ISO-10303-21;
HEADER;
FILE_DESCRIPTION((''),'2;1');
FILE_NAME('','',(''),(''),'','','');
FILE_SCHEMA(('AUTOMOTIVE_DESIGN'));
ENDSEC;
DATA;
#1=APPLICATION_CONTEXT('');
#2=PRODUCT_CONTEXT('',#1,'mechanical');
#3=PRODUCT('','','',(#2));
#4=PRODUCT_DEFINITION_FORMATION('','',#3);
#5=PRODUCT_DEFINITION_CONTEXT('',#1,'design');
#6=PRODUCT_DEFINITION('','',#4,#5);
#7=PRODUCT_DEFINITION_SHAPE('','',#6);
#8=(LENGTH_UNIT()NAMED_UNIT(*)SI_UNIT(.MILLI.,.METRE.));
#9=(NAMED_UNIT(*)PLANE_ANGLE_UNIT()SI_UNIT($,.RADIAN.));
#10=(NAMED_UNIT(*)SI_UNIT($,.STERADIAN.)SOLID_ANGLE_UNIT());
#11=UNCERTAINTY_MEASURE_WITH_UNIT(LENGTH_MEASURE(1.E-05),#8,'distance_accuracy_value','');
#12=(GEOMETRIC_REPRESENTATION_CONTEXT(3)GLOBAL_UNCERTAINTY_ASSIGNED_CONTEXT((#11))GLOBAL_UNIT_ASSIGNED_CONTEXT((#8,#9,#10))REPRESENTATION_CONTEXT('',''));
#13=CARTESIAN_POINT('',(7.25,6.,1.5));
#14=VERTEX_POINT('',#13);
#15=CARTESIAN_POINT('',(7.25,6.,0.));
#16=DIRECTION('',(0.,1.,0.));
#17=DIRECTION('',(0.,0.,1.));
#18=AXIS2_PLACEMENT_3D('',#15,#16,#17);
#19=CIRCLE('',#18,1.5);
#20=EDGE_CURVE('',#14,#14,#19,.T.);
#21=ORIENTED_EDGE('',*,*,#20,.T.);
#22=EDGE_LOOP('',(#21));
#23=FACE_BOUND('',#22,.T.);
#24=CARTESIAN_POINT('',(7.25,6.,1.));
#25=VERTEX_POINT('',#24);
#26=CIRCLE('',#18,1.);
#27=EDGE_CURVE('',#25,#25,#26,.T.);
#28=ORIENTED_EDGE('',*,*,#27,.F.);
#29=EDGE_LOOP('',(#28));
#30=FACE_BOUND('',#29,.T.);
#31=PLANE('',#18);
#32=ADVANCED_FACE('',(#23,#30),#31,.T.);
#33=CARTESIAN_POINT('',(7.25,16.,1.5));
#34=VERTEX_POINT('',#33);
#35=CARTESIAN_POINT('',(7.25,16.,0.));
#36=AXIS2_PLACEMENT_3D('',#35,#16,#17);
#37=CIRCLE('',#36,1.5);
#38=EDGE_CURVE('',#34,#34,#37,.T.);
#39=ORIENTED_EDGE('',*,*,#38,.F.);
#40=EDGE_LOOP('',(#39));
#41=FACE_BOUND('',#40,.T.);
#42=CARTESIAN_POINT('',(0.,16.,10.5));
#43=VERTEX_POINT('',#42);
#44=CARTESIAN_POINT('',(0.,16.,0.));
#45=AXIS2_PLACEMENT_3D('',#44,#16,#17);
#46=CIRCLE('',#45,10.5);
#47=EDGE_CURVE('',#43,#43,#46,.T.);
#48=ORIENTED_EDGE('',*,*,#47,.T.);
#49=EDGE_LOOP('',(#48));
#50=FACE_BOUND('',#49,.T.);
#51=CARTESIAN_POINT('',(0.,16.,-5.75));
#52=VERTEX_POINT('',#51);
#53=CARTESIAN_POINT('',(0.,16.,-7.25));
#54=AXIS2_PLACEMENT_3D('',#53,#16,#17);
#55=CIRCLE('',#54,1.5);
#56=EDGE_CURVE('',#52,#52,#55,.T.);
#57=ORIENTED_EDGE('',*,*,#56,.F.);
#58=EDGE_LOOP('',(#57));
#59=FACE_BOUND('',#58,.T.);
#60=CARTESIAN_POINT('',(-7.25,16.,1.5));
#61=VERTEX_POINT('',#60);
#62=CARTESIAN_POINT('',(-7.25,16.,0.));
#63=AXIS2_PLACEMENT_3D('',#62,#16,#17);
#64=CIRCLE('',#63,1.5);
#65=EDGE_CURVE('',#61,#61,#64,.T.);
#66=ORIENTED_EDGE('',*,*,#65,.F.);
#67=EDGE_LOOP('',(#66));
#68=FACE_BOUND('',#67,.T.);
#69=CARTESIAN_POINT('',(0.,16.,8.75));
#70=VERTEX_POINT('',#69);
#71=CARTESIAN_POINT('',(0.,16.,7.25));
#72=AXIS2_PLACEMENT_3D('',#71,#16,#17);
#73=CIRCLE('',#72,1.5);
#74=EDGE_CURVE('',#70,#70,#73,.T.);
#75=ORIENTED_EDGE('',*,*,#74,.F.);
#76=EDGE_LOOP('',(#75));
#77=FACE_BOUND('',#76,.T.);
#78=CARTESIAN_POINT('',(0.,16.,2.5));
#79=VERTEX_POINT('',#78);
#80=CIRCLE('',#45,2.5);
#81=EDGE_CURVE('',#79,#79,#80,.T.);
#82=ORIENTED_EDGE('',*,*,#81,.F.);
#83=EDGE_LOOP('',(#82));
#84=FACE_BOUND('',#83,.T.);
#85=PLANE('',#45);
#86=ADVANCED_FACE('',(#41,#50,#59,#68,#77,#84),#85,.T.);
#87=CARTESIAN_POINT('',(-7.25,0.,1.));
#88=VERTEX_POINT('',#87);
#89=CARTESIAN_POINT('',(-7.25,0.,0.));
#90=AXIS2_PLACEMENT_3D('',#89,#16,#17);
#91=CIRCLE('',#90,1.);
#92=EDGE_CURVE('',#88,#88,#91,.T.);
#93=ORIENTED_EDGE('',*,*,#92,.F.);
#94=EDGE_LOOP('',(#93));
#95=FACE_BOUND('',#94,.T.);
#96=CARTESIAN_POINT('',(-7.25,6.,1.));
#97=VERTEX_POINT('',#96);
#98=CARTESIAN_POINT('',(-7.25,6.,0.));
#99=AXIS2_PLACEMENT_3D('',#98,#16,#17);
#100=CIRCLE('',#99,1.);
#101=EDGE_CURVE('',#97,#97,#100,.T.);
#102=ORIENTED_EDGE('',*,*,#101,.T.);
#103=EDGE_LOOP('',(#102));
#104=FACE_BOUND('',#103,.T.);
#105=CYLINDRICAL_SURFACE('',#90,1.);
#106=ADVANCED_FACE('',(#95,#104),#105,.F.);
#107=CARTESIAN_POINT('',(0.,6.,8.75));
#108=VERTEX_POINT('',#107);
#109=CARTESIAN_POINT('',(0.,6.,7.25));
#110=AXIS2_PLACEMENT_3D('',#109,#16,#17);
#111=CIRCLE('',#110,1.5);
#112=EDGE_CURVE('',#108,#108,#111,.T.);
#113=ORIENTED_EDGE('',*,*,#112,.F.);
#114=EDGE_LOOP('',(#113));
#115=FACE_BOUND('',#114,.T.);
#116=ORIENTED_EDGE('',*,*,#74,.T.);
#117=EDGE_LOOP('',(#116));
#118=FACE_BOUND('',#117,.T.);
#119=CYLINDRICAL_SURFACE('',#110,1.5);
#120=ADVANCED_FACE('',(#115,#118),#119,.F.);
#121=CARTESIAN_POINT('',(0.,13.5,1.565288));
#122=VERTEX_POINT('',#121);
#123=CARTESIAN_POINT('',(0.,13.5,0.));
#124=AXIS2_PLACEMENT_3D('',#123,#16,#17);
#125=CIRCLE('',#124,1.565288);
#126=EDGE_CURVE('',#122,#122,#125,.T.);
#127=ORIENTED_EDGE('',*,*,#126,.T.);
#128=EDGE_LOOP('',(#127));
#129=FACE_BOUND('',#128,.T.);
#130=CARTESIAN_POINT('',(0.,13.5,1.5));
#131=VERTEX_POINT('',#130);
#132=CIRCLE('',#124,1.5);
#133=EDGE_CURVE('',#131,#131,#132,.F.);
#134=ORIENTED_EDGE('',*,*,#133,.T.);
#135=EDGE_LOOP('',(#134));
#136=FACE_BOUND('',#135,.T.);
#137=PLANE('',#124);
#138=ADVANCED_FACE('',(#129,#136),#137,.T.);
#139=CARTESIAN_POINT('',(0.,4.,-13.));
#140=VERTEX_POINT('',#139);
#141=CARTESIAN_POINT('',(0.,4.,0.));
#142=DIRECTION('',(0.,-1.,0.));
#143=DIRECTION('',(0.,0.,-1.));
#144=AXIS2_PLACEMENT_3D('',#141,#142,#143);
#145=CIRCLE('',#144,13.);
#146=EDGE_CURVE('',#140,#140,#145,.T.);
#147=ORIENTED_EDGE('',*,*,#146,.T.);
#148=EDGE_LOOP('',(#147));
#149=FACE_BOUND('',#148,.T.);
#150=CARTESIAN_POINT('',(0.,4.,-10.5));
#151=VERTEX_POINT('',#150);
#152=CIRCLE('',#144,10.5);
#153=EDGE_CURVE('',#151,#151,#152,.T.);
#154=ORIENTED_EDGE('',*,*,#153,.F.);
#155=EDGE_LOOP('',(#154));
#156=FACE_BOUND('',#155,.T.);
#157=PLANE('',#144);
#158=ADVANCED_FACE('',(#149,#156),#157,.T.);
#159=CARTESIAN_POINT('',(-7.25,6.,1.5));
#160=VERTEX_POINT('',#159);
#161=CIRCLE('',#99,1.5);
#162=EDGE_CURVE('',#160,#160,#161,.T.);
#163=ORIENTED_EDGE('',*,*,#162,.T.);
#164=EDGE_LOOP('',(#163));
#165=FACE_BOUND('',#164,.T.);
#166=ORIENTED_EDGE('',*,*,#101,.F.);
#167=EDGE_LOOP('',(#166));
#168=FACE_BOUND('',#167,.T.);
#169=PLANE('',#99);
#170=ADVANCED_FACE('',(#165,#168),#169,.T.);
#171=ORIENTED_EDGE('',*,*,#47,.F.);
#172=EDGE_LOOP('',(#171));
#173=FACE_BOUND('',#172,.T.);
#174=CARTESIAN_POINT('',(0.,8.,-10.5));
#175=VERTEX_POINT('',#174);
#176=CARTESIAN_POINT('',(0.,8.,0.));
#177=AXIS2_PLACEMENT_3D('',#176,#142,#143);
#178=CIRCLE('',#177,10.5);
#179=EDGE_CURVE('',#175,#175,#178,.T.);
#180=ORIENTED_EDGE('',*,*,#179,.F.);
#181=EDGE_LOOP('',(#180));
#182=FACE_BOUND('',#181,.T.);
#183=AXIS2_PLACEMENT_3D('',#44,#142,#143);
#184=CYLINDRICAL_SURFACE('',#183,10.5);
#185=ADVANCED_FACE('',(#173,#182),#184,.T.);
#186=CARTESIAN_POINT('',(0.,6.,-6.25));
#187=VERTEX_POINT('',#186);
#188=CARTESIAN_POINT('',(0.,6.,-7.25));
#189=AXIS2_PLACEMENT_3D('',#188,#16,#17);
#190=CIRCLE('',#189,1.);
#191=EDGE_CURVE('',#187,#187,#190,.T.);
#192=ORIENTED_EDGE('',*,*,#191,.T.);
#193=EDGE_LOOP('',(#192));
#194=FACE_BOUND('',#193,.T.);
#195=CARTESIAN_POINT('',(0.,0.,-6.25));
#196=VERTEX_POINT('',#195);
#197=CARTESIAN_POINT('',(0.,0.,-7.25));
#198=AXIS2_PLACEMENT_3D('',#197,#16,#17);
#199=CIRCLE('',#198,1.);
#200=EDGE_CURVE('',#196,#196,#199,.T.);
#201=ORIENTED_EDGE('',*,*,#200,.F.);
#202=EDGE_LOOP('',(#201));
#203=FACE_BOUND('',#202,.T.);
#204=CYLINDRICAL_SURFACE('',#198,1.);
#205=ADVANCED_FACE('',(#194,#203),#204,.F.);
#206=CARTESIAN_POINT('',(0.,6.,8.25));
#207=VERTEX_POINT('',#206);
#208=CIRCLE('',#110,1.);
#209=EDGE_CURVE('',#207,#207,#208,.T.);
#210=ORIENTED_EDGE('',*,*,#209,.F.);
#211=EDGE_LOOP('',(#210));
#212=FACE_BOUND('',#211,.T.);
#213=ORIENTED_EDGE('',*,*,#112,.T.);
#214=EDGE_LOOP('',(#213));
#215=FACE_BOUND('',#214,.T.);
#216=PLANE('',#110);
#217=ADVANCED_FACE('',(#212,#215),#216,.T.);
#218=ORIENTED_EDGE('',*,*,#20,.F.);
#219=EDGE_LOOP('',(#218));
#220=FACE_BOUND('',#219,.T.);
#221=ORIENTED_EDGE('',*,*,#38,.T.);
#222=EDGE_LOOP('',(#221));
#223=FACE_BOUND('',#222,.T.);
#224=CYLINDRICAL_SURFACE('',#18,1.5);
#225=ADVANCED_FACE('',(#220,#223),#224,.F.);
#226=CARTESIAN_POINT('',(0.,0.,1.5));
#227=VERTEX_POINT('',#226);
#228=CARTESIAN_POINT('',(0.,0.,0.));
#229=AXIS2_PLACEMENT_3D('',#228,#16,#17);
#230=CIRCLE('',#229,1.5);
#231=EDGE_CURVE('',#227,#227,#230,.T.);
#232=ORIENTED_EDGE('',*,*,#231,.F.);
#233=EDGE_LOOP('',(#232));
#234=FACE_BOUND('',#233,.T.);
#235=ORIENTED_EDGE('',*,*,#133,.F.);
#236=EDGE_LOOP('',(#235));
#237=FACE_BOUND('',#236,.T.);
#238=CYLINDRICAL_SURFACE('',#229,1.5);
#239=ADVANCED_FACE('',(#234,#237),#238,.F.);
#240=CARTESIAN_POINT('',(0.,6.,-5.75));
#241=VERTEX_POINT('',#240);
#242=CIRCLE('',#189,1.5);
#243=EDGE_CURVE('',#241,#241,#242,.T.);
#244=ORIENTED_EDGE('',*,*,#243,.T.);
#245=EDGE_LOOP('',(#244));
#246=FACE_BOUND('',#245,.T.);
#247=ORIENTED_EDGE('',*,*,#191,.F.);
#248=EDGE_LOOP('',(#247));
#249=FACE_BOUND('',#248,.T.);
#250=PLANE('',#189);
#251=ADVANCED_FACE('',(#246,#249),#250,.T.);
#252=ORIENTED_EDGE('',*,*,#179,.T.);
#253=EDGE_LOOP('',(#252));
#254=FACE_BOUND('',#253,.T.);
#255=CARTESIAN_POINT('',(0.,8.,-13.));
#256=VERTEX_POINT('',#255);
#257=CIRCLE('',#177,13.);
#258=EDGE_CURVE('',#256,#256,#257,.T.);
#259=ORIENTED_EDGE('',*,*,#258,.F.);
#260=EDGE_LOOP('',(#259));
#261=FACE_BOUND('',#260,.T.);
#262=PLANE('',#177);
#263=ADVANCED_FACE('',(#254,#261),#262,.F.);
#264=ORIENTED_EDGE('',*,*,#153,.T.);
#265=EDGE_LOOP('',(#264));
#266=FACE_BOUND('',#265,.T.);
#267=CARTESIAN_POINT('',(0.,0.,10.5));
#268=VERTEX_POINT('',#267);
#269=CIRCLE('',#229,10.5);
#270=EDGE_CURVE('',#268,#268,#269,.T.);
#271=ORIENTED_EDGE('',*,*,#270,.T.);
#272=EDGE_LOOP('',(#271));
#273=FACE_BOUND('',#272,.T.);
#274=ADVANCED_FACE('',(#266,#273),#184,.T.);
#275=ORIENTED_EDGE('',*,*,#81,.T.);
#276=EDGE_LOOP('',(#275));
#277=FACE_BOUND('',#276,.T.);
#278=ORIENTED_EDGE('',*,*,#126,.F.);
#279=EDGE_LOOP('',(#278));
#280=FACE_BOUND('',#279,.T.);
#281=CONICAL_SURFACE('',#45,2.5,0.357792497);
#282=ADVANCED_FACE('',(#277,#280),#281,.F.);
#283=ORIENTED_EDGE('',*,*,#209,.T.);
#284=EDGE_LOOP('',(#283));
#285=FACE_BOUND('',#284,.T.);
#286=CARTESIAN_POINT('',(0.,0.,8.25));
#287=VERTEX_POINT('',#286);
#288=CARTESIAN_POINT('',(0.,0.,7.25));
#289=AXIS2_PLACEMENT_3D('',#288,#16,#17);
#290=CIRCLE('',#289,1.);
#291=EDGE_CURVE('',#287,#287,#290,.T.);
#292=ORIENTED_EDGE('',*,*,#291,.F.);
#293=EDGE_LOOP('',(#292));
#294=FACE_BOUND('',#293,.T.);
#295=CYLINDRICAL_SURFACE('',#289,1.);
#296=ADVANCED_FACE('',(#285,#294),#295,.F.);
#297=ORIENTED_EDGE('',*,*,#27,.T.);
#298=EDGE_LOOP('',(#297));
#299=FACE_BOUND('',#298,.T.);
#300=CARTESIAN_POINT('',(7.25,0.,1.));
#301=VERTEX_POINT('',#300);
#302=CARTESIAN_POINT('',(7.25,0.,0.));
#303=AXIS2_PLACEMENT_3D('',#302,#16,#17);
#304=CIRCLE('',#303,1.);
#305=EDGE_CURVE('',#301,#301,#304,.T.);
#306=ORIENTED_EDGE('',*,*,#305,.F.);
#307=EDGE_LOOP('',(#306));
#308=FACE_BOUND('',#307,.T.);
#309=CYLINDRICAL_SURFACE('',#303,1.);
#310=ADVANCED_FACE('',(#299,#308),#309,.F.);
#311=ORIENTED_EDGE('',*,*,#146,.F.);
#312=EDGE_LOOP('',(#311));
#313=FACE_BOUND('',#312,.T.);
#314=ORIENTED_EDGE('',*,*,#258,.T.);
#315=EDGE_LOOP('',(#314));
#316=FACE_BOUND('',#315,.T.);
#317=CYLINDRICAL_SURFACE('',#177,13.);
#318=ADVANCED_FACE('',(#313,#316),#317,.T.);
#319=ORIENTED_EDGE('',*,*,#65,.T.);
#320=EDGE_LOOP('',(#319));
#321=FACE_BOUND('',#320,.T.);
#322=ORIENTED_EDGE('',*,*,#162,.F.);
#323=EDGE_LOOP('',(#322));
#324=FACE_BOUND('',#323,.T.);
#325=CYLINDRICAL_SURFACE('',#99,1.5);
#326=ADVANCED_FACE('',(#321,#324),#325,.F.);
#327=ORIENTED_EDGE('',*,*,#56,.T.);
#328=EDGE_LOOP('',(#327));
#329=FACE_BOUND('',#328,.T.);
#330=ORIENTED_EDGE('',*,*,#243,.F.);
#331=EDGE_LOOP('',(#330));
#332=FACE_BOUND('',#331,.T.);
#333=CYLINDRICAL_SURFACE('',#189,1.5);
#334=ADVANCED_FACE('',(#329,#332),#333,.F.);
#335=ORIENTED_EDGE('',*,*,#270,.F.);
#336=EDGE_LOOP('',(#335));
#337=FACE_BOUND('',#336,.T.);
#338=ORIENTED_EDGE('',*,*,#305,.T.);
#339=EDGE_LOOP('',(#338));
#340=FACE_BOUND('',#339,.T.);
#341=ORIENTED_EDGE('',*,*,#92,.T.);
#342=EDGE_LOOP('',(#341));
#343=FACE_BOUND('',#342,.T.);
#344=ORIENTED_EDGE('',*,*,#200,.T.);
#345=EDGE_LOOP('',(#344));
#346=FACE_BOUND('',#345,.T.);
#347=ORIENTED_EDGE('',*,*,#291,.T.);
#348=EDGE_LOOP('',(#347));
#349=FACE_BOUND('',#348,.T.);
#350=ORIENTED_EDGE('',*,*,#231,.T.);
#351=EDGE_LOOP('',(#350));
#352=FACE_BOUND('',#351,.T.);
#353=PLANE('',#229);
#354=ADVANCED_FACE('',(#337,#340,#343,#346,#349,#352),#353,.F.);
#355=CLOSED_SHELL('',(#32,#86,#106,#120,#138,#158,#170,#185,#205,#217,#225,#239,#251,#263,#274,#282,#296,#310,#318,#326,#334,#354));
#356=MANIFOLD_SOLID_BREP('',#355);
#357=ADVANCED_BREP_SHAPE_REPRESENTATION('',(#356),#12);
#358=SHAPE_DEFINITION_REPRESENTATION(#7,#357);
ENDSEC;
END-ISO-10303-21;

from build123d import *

# Parameters (mm, degrees)
SKETCH1_R                = 10.5
BOSS_EXTRUDE1_DEPTH      = 16
SKETCH2_R                = 1.5
CUT_EXTRUDE1_DEPTH       = 22.828879953
SKETCH3_R                = 2.5
CUT_EXTRUDE2_DEPTH       = 2.5
CUT_EXTRUDE2_DRAFT       = -20.5
BOSS_EXTRUDE2_DEPTH      = 2
BOSS_EXTRUDE2_DEPTH_BACK = 2
SKETCH5_R                = 13
SKETCH7_R                = 1.5
CUT_EXTRUDE3_DEPTH       = 10
SKETCH8_R                = 1
CUT_EXTRUDE4_DEPTH       = 21.928449536
SKETCH9_R                = 1.5
CUT_EXTRUDE5_DEPTH       = 25.372115214


with BuildPart() as part:
    # Sketch1 → Boss-Extrude1 (new body)
    with BuildSketch(Plane(origin=(0, 0, 0), x_dir=(1, 0, 0), z_dir=(0, 1, 0))):
        with Locations(Location((0, 0, 0), (0, 0, 270))):
            Circle(SKETCH1_R)
    extrude(amount=BOSS_EXTRUDE1_DEPTH)

    # Sketch2 → Cut-Extrude1 (cut, through all)
    with BuildSketch(Plane(origin=(0, 16, 0), x_dir=(1, 0, 0), z_dir=(0, 1, 0))):
        with Locations(Location((0, 0, 0), (0, 0, 270))):
            Circle(SKETCH2_R)
    extrude(amount=-CUT_EXTRUDE1_DEPTH, mode=Mode.SUBTRACT)


with BuildPart() as cut_extrude2_tool:
    # Sketch3 → Cut-Extrude2 (with draft: the straight prism first)
    with BuildSketch(Plane(origin=(0, 16, 0), x_dir=(1, 0, 0), z_dir=(0, 1, 0))):
        Circle(SKETCH3_R)
    extrude(amount=-CUT_EXTRUDE2_DEPTH)
    # Cut-Extrude2: the draft: its side faces are tilted about the plane it starts from
    cut_extrude2_sides = [cut_extrude2_tool.faces().sort_by_distance(p)[0] for p in [
        (-2.5, 14.75, 0),
    ]]
    draft(cut_extrude2_sides, Plane(origin=(0, 16, 0), x_dir=(1, 0, 0), z_dir=(0, 1, 0)), CUT_EXTRUDE2_DRAFT)


with BuildPart() as part_1:
    add(part.part)

    # Cut-Extrude2: cut by cut_extrude2_tool
    add(cut_extrude2_tool.part, mode=Mode.SUBTRACT)

    # Sketch5 → Boss-Extrude2 (add, two sides: drawn at the far end of the back side and taken through both)
    with BuildSketch(Plane(origin=(0, 6, 0), x_dir=(-1, 0, 0), z_dir=(0, -1, 0)).offset(-BOSS_EXTRUDE2_DEPTH_BACK)):
        with Locations(Location((0, 0, 0), (0, 0, 90))):
            Circle(SKETCH5_R)
    extrude(amount=BOSS_EXTRUDE2_DEPTH + BOSS_EXTRUDE2_DEPTH_BACK)

    # Sketch7 → Cut-Extrude3 (cut)
    with BuildSketch(Plane(origin=(0, 16, 0), x_dir=(1, 0, 0), z_dir=(0, 1, 0))):
        with Locations(Location((0, 7.25, 0), (0, 0, 270))):
            Circle(SKETCH7_R)
        with Locations(Location((7.25, 0, 0), (0, 0, 270))):
            Circle(SKETCH7_R)
        with Locations(Location((0, -7.25, 0), (0, 0, 270))):
            Circle(SKETCH7_R)
        with Locations(Location((-7.25, 0, 0), (0, 0, 270))):
            Circle(SKETCH7_R)
    extrude(amount=-CUT_EXTRUDE3_DEPTH, mode=Mode.SUBTRACT)

    # Sketch8 → Cut-Extrude4 (cut, through all)
    with BuildSketch(Plane(origin=(0, 6, 0), x_dir=(1, 0, 0), z_dir=(0, 1, 0))):
        with Locations(Location((-7.25, 0, 0), (0, 0, 270))):
            Circle(SKETCH8_R)
        with Locations(Location((0, 7.25, 0), (0, 0, 270))):
            Circle(SKETCH8_R)
        with Locations(Location((7.25, 0, 0), (0, 0, 270))):
            Circle(SKETCH8_R)
        with Locations(Location((0, -7.25, 0), (0, 0, 270))):
            Circle(SKETCH8_R)
    extrude(amount=-CUT_EXTRUDE4_DEPTH, mode=Mode.SUBTRACT)

    # Sketch9 → Cut-Extrude5 (cut, through all)
    with BuildSketch(Plane(origin=(0, 16, 0), x_dir=(1, 0, 0), z_dir=(0, 1, 0))):
        with Locations(Location((0, 0, 0), (0, 0, 270))):
            Circle(SKETCH9_R)
    extrude(amount=-CUT_EXTRUDE5_DEPTH, mode=Mode.SUBTRACT)


solid = part_1.part
